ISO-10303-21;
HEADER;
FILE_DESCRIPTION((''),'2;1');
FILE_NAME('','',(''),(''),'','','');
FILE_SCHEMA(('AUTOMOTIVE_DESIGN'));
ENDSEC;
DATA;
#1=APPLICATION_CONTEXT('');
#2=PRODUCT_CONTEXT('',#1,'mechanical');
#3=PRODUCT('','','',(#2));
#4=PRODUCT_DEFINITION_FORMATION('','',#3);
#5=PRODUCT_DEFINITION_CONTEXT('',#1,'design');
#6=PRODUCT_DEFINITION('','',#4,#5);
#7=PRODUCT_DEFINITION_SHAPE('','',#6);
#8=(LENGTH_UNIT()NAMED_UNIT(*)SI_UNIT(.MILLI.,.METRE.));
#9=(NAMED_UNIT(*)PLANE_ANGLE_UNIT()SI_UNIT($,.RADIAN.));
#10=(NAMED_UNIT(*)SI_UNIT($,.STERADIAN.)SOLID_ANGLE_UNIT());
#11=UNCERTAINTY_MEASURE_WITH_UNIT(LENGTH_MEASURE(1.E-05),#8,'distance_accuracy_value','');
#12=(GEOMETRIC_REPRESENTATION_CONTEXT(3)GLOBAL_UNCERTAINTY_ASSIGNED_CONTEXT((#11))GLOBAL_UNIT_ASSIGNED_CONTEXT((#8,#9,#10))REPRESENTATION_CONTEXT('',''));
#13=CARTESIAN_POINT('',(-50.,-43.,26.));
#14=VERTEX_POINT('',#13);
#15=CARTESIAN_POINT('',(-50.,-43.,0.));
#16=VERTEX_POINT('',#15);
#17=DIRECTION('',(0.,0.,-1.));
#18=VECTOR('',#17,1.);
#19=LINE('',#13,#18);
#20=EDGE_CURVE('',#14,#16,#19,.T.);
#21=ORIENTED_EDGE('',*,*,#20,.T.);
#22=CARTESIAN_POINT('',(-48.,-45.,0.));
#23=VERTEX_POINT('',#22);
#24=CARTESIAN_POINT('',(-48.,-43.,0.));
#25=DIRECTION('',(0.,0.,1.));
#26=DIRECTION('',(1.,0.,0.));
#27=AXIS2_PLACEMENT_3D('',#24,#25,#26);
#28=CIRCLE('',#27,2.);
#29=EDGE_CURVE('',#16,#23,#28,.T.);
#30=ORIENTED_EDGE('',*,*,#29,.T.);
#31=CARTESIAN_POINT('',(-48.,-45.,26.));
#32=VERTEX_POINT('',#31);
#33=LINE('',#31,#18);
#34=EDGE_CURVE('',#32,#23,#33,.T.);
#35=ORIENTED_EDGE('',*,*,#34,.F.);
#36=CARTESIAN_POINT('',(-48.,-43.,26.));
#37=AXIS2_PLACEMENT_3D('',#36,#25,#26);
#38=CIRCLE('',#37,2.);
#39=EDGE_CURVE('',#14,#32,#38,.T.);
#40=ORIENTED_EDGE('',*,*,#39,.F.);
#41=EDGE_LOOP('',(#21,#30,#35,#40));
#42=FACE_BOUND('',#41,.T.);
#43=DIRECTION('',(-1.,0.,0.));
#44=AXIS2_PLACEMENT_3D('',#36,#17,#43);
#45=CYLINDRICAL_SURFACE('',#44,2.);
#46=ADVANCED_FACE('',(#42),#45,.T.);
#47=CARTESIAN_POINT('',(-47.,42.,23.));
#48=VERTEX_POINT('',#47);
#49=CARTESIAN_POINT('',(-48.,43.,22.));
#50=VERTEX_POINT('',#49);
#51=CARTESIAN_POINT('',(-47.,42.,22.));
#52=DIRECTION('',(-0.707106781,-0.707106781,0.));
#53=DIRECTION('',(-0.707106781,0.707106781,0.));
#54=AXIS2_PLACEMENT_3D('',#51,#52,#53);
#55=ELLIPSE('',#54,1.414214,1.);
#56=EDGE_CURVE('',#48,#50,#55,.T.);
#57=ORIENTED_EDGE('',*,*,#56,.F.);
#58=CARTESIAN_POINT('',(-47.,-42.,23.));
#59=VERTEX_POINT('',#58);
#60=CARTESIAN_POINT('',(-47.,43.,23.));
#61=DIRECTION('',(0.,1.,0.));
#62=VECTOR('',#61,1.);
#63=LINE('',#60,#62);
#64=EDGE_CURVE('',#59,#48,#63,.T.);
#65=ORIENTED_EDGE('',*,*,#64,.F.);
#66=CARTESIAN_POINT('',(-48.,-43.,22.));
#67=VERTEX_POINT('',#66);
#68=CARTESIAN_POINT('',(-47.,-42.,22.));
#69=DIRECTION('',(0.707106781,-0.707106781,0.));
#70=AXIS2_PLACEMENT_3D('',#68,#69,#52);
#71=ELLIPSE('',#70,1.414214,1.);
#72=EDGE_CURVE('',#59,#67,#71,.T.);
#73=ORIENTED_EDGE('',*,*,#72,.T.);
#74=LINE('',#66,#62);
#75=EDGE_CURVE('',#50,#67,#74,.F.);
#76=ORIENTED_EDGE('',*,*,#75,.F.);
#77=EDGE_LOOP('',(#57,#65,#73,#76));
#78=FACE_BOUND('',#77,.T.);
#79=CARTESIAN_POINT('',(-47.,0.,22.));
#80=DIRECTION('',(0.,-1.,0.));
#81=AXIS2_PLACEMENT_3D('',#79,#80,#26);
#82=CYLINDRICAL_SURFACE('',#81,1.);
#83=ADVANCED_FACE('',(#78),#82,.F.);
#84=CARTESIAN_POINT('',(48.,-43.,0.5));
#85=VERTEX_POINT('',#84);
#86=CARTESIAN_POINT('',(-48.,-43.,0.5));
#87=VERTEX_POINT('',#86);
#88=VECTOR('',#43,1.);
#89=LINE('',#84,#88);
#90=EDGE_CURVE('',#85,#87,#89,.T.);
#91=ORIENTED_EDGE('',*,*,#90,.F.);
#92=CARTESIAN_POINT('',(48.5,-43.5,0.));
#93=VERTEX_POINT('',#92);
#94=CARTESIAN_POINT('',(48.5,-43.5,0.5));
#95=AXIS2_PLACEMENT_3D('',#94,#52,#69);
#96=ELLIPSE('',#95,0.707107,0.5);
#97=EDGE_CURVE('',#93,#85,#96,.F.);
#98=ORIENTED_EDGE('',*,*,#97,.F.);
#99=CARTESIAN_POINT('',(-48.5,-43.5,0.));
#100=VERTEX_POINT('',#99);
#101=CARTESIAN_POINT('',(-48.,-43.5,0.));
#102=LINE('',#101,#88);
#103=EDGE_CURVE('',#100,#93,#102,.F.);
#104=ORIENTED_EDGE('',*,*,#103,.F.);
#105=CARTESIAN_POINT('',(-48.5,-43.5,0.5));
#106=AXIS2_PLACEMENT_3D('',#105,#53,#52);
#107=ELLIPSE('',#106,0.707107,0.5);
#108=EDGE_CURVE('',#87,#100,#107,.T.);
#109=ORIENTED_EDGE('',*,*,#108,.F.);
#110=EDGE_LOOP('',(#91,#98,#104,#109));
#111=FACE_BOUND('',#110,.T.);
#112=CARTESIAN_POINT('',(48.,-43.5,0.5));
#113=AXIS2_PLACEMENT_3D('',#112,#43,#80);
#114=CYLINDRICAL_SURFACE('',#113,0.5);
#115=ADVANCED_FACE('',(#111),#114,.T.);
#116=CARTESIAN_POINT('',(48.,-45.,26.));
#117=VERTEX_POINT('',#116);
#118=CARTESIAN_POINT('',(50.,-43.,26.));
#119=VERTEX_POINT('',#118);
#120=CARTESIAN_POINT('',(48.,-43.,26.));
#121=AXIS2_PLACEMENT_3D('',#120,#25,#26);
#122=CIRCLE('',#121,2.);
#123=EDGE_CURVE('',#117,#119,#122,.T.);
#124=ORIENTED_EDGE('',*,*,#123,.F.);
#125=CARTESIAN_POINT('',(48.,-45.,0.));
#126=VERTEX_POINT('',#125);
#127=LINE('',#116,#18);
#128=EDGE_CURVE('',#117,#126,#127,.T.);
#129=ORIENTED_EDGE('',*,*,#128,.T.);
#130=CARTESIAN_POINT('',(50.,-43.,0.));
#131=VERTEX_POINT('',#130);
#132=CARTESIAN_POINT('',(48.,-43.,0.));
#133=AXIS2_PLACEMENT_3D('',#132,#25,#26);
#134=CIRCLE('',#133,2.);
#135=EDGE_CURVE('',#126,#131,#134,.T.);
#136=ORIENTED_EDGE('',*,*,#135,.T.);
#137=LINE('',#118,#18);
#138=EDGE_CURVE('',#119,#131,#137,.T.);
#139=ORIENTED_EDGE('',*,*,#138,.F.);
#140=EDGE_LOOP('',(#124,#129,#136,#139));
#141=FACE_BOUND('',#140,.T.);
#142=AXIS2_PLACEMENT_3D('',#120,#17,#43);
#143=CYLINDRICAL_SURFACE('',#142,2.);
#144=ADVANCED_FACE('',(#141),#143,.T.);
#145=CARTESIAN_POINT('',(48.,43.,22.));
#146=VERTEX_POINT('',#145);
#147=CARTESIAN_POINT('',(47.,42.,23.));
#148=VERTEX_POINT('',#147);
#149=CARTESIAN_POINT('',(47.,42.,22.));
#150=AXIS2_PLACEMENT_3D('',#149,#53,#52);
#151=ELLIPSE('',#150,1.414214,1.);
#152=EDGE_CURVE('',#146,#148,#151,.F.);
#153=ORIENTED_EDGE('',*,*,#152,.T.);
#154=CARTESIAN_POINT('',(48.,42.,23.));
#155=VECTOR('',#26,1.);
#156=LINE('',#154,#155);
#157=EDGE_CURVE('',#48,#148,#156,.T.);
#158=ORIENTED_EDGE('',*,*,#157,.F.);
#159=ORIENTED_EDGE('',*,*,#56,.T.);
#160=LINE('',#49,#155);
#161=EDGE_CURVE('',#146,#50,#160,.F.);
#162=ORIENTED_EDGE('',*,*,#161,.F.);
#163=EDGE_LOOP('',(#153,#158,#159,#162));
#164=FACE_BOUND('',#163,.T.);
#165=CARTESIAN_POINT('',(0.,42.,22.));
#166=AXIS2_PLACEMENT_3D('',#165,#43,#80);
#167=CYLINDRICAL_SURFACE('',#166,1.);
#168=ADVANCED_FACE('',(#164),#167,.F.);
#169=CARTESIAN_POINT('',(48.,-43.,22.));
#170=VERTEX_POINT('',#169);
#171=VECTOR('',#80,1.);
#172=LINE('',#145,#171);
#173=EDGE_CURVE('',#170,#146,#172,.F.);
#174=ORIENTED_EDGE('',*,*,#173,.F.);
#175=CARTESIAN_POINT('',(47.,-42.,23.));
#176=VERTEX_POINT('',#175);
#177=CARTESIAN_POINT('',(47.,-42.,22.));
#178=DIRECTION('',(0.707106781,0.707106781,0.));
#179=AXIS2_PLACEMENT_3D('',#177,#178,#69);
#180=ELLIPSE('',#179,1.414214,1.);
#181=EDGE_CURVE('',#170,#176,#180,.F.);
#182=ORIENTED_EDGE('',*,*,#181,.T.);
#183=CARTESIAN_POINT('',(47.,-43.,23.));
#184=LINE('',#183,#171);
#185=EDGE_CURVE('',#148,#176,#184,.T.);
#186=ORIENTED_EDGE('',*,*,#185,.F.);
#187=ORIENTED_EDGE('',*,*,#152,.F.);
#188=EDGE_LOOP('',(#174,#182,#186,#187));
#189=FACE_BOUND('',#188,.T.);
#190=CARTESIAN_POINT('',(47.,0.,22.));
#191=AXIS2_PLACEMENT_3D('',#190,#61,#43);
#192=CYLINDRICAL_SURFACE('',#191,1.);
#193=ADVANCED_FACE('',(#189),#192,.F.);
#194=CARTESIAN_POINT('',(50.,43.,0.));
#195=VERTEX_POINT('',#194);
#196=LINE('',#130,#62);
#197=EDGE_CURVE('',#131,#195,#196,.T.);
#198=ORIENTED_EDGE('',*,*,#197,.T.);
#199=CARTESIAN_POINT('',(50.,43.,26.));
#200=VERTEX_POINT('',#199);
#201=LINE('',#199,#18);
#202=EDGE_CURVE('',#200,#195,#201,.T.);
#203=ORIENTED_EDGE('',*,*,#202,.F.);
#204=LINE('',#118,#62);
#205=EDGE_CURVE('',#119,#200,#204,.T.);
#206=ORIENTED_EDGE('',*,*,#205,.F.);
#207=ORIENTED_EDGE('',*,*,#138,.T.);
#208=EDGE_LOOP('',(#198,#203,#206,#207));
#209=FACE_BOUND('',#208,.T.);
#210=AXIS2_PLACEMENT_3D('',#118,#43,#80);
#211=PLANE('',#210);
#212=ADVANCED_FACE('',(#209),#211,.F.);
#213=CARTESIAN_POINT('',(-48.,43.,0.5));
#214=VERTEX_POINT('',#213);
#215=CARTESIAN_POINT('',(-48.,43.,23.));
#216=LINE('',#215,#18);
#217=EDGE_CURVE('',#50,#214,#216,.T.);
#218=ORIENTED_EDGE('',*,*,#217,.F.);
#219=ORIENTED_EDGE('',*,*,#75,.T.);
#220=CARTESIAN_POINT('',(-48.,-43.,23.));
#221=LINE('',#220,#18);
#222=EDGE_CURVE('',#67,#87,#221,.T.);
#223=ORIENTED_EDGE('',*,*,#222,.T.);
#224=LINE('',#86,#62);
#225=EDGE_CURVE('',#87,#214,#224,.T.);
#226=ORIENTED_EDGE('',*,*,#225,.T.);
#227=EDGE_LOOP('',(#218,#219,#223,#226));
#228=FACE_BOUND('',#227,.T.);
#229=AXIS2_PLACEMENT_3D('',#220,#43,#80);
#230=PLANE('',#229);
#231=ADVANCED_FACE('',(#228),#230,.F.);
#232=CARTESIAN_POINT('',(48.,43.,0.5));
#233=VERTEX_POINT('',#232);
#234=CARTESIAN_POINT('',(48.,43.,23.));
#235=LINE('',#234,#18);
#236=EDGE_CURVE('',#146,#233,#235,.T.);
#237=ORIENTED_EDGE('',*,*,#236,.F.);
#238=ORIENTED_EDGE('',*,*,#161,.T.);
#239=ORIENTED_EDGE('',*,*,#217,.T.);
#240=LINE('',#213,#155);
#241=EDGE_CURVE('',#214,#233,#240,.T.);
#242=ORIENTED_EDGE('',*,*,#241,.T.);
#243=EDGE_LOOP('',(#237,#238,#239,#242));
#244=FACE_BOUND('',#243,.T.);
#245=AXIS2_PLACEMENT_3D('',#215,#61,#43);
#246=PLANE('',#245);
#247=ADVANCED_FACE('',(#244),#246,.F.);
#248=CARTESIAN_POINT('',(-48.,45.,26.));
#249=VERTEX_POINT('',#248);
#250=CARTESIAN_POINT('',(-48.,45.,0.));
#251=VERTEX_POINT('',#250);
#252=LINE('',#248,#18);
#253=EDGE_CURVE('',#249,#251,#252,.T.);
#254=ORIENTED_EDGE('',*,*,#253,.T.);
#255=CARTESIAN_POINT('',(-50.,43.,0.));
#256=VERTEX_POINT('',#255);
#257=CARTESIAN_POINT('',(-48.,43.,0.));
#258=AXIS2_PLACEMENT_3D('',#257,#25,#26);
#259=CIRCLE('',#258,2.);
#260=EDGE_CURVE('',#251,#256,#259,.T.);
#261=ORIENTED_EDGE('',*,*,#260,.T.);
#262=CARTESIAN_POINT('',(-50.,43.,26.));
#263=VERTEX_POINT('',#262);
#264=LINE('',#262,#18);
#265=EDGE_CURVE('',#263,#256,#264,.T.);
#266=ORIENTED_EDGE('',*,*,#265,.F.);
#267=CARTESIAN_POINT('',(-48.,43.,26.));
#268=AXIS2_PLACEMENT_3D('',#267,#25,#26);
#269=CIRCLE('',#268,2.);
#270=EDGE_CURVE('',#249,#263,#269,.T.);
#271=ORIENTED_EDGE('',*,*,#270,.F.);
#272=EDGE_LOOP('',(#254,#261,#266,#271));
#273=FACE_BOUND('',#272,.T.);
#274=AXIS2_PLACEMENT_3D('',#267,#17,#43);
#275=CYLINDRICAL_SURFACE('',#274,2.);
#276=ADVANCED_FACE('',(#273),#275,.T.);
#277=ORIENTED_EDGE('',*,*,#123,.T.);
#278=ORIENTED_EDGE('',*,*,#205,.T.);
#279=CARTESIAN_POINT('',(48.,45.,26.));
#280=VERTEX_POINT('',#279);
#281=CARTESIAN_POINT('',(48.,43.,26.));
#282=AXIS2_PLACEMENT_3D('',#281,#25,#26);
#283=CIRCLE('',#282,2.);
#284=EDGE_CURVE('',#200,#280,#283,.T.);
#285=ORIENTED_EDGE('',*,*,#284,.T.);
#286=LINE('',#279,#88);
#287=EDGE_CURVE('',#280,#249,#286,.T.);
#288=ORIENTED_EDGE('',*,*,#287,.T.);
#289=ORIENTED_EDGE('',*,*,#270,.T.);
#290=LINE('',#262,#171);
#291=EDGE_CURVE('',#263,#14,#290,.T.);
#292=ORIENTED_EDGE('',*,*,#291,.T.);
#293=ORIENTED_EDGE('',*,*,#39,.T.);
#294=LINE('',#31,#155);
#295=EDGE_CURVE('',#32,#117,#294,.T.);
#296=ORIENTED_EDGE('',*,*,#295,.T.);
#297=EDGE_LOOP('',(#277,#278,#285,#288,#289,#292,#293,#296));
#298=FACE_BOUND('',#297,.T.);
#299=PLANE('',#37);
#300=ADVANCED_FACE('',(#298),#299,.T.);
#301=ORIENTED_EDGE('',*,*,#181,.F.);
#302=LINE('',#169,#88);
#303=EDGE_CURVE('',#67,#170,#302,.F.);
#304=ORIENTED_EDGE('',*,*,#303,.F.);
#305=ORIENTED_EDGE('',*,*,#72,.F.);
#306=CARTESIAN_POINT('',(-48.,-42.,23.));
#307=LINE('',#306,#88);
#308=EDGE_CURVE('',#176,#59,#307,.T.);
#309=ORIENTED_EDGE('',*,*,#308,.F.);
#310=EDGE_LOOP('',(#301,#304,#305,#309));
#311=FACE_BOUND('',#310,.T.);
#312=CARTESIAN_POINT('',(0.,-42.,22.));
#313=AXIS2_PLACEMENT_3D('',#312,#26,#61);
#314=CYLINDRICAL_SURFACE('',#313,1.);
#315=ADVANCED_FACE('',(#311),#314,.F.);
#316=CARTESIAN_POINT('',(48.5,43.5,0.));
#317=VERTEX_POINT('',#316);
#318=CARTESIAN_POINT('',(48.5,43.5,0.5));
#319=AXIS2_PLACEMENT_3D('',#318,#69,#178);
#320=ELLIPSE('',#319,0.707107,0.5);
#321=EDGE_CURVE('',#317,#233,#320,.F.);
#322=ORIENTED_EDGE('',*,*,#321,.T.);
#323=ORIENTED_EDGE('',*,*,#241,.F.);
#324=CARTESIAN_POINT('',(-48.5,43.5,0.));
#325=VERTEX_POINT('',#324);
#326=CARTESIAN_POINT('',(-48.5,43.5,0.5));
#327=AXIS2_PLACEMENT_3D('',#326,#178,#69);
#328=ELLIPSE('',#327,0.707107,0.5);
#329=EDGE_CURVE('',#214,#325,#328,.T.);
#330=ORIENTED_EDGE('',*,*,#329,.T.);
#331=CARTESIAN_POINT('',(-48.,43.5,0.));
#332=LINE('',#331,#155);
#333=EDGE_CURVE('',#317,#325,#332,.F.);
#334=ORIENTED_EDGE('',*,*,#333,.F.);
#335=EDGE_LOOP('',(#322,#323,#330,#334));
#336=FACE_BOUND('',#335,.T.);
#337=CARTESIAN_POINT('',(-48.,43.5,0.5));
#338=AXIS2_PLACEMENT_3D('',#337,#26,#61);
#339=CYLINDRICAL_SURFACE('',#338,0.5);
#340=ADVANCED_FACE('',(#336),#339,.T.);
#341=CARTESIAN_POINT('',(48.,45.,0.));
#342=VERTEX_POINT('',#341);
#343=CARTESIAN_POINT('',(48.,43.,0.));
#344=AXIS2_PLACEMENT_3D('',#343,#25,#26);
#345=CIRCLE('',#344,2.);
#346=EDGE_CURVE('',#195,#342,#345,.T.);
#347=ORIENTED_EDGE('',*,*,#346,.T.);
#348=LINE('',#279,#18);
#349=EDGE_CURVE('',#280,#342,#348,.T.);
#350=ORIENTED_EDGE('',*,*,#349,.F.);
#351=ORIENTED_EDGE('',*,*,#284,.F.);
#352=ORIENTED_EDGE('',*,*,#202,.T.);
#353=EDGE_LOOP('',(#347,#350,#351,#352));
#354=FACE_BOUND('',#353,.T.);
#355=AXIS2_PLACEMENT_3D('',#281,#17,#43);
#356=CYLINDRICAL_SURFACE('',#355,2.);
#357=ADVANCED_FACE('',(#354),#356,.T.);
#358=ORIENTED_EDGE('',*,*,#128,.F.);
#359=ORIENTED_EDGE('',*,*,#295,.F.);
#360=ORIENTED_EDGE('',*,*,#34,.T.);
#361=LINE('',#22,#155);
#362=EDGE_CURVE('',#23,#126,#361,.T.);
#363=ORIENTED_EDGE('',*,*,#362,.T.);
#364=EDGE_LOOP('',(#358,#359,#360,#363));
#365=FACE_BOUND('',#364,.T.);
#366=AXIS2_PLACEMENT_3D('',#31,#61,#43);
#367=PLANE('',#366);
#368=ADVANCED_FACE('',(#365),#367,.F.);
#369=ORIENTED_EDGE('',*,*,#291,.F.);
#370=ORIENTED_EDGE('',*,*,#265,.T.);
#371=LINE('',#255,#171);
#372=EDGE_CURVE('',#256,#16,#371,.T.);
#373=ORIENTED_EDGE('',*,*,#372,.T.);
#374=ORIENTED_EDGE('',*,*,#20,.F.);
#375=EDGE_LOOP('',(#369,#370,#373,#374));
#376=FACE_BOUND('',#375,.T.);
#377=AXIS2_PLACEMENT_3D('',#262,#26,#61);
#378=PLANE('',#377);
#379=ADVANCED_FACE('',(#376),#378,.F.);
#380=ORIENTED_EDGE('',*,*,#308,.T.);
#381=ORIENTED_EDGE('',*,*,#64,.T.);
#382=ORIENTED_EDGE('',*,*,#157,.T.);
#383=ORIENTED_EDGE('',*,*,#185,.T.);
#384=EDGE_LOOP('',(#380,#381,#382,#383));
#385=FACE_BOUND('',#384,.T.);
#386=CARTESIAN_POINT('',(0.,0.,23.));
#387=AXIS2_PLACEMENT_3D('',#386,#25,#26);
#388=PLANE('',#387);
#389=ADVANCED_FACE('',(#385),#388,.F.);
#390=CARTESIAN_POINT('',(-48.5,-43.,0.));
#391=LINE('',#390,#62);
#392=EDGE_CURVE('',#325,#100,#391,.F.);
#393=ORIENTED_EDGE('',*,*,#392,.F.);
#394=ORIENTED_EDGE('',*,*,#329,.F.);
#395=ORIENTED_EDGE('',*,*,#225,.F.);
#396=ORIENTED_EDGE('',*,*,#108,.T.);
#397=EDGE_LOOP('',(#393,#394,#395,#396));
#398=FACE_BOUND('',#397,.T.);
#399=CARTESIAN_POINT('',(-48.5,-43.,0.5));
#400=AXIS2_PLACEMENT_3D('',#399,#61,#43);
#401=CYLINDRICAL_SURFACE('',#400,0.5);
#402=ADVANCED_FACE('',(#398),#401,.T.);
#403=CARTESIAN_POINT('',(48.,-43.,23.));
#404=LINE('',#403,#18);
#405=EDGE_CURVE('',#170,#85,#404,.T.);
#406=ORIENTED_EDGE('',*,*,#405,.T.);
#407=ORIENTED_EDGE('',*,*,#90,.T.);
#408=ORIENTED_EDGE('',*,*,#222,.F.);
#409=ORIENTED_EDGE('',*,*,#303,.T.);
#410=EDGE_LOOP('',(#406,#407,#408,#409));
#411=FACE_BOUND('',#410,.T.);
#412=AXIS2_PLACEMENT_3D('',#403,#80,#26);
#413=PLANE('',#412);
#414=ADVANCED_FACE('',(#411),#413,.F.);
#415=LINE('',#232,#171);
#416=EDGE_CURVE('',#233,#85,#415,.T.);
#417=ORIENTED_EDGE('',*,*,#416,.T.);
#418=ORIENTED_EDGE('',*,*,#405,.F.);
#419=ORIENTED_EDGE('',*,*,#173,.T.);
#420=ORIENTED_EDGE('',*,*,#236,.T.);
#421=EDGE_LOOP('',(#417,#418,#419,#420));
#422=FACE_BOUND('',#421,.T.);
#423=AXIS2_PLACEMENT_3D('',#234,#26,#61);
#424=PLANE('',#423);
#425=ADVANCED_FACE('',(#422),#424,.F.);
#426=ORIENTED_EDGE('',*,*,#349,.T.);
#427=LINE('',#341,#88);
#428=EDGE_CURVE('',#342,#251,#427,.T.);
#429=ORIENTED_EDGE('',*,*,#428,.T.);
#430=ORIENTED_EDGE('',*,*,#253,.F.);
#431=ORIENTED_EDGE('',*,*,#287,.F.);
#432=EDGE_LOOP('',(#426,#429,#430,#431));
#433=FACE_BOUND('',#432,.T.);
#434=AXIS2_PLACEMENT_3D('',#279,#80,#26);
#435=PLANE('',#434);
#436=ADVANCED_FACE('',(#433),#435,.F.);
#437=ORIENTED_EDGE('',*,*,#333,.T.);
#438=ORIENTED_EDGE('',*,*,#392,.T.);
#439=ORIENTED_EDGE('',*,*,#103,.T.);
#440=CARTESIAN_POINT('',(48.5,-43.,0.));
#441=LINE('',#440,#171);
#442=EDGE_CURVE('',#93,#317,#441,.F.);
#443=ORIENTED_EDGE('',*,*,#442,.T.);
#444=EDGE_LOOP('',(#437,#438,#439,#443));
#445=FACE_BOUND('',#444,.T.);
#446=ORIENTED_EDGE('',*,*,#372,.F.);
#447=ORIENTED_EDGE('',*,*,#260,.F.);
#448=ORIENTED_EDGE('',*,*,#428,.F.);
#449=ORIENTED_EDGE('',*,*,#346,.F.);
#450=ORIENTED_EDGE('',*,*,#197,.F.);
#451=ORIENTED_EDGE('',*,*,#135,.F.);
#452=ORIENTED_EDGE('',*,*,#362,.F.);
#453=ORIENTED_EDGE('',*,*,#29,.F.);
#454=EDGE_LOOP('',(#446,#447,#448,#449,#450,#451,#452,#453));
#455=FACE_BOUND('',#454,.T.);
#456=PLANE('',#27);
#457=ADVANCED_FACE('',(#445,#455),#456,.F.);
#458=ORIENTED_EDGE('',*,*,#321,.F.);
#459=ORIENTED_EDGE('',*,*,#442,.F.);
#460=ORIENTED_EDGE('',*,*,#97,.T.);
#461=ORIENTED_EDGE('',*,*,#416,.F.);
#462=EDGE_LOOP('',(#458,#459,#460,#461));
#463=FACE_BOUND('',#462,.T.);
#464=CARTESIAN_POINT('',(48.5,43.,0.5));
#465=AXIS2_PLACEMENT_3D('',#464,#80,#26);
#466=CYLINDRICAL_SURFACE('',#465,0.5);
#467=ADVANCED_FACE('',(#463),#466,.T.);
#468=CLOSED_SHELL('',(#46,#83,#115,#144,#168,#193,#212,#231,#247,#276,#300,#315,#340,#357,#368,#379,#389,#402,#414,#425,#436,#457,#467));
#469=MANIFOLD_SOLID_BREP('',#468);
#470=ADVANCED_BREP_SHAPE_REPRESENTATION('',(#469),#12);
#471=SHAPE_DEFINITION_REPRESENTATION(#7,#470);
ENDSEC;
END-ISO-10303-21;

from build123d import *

# Parameters (mm, degrees)
EXTRUDE_1_DEPTH     = 26
SKETCH_2_W          = 95
SKETCH_2_H          = 85
CUT_EXTRUDE_1_DEPTH = 23
SKETCH_3_W          = 96
SKETCH_3_H          = 86
CUT_EXTRUDE_2_DEPTH = 23
FILLET_1_R          = 1
FILLET_2_R          = 0.5


with BuildPart() as part:
    # Эскиз1 → Бобышка-Вытянуть1 (new body)
    with BuildSketch(Plane.XY):
        with BuildLine():
            Line((-48, -45), (48, -45))
            ThreePointArc((48, -45), (49.414213562, -44.414213562), (50, -43))
            Line((50, -43), (50, 43))
            ThreePointArc((50, 43), (49.414213562, 44.414213562), (48, 45))
            Line((48, 45), (-48, 45))
            ThreePointArc((-48, 45), (-49.414213562, 44.414213562), (-50, 43))
            Line((-50, 43), (-50, -43))
            ThreePointArc((-50, -43), (-49.414213562, -44.414213562), (-48, -45))
        make_face()
    extrude(amount=EXTRUDE_1_DEPTH)

    # Эскиз2 → Вырез-Вытянуть1 (cut)
    with BuildSketch(Plane(origin=(0, 0, 0), x_dir=(-1, 0, 0), z_dir=(0, 0, -1))):
        Rectangle(SKETCH_2_W, SKETCH_2_H)
    extrude(amount=-CUT_EXTRUDE_1_DEPTH, mode=Mode.SUBTRACT)

    # Эскиз3 → Вырез-Вытянуть2 (cut)
    with BuildSketch(Plane(origin=(0, 0, 0), x_dir=(-1, 0, 0), z_dir=(0, 0, -1))):
        Rectangle(SKETCH_3_W, SKETCH_3_H)
    extrude(amount=-CUT_EXTRUDE_2_DEPTH, mode=Mode.SUBTRACT)

    # Скругление1
    fillet_1_edges = [part.edges().sort_by_distance(p)[0] for p in [
        (48, 0, 23),
        (0, 43, 23),
        (-48, 0, 23),
        (0, -43, 23),
    ]]
    fillet(fillet_1_edges, radius=FILLET_1_R)

    # Скругление2
    fillet_2_edges = [part.edges().sort_by_distance(p)[0] for p in [
        (48, 0, 0),
        (0, -43, 0),
        (-48, 0, 0),
        (0, 43, 0),
    ]]
    fillet(fillet_2_edges, radius=FILLET_2_R)


solid = part.part
